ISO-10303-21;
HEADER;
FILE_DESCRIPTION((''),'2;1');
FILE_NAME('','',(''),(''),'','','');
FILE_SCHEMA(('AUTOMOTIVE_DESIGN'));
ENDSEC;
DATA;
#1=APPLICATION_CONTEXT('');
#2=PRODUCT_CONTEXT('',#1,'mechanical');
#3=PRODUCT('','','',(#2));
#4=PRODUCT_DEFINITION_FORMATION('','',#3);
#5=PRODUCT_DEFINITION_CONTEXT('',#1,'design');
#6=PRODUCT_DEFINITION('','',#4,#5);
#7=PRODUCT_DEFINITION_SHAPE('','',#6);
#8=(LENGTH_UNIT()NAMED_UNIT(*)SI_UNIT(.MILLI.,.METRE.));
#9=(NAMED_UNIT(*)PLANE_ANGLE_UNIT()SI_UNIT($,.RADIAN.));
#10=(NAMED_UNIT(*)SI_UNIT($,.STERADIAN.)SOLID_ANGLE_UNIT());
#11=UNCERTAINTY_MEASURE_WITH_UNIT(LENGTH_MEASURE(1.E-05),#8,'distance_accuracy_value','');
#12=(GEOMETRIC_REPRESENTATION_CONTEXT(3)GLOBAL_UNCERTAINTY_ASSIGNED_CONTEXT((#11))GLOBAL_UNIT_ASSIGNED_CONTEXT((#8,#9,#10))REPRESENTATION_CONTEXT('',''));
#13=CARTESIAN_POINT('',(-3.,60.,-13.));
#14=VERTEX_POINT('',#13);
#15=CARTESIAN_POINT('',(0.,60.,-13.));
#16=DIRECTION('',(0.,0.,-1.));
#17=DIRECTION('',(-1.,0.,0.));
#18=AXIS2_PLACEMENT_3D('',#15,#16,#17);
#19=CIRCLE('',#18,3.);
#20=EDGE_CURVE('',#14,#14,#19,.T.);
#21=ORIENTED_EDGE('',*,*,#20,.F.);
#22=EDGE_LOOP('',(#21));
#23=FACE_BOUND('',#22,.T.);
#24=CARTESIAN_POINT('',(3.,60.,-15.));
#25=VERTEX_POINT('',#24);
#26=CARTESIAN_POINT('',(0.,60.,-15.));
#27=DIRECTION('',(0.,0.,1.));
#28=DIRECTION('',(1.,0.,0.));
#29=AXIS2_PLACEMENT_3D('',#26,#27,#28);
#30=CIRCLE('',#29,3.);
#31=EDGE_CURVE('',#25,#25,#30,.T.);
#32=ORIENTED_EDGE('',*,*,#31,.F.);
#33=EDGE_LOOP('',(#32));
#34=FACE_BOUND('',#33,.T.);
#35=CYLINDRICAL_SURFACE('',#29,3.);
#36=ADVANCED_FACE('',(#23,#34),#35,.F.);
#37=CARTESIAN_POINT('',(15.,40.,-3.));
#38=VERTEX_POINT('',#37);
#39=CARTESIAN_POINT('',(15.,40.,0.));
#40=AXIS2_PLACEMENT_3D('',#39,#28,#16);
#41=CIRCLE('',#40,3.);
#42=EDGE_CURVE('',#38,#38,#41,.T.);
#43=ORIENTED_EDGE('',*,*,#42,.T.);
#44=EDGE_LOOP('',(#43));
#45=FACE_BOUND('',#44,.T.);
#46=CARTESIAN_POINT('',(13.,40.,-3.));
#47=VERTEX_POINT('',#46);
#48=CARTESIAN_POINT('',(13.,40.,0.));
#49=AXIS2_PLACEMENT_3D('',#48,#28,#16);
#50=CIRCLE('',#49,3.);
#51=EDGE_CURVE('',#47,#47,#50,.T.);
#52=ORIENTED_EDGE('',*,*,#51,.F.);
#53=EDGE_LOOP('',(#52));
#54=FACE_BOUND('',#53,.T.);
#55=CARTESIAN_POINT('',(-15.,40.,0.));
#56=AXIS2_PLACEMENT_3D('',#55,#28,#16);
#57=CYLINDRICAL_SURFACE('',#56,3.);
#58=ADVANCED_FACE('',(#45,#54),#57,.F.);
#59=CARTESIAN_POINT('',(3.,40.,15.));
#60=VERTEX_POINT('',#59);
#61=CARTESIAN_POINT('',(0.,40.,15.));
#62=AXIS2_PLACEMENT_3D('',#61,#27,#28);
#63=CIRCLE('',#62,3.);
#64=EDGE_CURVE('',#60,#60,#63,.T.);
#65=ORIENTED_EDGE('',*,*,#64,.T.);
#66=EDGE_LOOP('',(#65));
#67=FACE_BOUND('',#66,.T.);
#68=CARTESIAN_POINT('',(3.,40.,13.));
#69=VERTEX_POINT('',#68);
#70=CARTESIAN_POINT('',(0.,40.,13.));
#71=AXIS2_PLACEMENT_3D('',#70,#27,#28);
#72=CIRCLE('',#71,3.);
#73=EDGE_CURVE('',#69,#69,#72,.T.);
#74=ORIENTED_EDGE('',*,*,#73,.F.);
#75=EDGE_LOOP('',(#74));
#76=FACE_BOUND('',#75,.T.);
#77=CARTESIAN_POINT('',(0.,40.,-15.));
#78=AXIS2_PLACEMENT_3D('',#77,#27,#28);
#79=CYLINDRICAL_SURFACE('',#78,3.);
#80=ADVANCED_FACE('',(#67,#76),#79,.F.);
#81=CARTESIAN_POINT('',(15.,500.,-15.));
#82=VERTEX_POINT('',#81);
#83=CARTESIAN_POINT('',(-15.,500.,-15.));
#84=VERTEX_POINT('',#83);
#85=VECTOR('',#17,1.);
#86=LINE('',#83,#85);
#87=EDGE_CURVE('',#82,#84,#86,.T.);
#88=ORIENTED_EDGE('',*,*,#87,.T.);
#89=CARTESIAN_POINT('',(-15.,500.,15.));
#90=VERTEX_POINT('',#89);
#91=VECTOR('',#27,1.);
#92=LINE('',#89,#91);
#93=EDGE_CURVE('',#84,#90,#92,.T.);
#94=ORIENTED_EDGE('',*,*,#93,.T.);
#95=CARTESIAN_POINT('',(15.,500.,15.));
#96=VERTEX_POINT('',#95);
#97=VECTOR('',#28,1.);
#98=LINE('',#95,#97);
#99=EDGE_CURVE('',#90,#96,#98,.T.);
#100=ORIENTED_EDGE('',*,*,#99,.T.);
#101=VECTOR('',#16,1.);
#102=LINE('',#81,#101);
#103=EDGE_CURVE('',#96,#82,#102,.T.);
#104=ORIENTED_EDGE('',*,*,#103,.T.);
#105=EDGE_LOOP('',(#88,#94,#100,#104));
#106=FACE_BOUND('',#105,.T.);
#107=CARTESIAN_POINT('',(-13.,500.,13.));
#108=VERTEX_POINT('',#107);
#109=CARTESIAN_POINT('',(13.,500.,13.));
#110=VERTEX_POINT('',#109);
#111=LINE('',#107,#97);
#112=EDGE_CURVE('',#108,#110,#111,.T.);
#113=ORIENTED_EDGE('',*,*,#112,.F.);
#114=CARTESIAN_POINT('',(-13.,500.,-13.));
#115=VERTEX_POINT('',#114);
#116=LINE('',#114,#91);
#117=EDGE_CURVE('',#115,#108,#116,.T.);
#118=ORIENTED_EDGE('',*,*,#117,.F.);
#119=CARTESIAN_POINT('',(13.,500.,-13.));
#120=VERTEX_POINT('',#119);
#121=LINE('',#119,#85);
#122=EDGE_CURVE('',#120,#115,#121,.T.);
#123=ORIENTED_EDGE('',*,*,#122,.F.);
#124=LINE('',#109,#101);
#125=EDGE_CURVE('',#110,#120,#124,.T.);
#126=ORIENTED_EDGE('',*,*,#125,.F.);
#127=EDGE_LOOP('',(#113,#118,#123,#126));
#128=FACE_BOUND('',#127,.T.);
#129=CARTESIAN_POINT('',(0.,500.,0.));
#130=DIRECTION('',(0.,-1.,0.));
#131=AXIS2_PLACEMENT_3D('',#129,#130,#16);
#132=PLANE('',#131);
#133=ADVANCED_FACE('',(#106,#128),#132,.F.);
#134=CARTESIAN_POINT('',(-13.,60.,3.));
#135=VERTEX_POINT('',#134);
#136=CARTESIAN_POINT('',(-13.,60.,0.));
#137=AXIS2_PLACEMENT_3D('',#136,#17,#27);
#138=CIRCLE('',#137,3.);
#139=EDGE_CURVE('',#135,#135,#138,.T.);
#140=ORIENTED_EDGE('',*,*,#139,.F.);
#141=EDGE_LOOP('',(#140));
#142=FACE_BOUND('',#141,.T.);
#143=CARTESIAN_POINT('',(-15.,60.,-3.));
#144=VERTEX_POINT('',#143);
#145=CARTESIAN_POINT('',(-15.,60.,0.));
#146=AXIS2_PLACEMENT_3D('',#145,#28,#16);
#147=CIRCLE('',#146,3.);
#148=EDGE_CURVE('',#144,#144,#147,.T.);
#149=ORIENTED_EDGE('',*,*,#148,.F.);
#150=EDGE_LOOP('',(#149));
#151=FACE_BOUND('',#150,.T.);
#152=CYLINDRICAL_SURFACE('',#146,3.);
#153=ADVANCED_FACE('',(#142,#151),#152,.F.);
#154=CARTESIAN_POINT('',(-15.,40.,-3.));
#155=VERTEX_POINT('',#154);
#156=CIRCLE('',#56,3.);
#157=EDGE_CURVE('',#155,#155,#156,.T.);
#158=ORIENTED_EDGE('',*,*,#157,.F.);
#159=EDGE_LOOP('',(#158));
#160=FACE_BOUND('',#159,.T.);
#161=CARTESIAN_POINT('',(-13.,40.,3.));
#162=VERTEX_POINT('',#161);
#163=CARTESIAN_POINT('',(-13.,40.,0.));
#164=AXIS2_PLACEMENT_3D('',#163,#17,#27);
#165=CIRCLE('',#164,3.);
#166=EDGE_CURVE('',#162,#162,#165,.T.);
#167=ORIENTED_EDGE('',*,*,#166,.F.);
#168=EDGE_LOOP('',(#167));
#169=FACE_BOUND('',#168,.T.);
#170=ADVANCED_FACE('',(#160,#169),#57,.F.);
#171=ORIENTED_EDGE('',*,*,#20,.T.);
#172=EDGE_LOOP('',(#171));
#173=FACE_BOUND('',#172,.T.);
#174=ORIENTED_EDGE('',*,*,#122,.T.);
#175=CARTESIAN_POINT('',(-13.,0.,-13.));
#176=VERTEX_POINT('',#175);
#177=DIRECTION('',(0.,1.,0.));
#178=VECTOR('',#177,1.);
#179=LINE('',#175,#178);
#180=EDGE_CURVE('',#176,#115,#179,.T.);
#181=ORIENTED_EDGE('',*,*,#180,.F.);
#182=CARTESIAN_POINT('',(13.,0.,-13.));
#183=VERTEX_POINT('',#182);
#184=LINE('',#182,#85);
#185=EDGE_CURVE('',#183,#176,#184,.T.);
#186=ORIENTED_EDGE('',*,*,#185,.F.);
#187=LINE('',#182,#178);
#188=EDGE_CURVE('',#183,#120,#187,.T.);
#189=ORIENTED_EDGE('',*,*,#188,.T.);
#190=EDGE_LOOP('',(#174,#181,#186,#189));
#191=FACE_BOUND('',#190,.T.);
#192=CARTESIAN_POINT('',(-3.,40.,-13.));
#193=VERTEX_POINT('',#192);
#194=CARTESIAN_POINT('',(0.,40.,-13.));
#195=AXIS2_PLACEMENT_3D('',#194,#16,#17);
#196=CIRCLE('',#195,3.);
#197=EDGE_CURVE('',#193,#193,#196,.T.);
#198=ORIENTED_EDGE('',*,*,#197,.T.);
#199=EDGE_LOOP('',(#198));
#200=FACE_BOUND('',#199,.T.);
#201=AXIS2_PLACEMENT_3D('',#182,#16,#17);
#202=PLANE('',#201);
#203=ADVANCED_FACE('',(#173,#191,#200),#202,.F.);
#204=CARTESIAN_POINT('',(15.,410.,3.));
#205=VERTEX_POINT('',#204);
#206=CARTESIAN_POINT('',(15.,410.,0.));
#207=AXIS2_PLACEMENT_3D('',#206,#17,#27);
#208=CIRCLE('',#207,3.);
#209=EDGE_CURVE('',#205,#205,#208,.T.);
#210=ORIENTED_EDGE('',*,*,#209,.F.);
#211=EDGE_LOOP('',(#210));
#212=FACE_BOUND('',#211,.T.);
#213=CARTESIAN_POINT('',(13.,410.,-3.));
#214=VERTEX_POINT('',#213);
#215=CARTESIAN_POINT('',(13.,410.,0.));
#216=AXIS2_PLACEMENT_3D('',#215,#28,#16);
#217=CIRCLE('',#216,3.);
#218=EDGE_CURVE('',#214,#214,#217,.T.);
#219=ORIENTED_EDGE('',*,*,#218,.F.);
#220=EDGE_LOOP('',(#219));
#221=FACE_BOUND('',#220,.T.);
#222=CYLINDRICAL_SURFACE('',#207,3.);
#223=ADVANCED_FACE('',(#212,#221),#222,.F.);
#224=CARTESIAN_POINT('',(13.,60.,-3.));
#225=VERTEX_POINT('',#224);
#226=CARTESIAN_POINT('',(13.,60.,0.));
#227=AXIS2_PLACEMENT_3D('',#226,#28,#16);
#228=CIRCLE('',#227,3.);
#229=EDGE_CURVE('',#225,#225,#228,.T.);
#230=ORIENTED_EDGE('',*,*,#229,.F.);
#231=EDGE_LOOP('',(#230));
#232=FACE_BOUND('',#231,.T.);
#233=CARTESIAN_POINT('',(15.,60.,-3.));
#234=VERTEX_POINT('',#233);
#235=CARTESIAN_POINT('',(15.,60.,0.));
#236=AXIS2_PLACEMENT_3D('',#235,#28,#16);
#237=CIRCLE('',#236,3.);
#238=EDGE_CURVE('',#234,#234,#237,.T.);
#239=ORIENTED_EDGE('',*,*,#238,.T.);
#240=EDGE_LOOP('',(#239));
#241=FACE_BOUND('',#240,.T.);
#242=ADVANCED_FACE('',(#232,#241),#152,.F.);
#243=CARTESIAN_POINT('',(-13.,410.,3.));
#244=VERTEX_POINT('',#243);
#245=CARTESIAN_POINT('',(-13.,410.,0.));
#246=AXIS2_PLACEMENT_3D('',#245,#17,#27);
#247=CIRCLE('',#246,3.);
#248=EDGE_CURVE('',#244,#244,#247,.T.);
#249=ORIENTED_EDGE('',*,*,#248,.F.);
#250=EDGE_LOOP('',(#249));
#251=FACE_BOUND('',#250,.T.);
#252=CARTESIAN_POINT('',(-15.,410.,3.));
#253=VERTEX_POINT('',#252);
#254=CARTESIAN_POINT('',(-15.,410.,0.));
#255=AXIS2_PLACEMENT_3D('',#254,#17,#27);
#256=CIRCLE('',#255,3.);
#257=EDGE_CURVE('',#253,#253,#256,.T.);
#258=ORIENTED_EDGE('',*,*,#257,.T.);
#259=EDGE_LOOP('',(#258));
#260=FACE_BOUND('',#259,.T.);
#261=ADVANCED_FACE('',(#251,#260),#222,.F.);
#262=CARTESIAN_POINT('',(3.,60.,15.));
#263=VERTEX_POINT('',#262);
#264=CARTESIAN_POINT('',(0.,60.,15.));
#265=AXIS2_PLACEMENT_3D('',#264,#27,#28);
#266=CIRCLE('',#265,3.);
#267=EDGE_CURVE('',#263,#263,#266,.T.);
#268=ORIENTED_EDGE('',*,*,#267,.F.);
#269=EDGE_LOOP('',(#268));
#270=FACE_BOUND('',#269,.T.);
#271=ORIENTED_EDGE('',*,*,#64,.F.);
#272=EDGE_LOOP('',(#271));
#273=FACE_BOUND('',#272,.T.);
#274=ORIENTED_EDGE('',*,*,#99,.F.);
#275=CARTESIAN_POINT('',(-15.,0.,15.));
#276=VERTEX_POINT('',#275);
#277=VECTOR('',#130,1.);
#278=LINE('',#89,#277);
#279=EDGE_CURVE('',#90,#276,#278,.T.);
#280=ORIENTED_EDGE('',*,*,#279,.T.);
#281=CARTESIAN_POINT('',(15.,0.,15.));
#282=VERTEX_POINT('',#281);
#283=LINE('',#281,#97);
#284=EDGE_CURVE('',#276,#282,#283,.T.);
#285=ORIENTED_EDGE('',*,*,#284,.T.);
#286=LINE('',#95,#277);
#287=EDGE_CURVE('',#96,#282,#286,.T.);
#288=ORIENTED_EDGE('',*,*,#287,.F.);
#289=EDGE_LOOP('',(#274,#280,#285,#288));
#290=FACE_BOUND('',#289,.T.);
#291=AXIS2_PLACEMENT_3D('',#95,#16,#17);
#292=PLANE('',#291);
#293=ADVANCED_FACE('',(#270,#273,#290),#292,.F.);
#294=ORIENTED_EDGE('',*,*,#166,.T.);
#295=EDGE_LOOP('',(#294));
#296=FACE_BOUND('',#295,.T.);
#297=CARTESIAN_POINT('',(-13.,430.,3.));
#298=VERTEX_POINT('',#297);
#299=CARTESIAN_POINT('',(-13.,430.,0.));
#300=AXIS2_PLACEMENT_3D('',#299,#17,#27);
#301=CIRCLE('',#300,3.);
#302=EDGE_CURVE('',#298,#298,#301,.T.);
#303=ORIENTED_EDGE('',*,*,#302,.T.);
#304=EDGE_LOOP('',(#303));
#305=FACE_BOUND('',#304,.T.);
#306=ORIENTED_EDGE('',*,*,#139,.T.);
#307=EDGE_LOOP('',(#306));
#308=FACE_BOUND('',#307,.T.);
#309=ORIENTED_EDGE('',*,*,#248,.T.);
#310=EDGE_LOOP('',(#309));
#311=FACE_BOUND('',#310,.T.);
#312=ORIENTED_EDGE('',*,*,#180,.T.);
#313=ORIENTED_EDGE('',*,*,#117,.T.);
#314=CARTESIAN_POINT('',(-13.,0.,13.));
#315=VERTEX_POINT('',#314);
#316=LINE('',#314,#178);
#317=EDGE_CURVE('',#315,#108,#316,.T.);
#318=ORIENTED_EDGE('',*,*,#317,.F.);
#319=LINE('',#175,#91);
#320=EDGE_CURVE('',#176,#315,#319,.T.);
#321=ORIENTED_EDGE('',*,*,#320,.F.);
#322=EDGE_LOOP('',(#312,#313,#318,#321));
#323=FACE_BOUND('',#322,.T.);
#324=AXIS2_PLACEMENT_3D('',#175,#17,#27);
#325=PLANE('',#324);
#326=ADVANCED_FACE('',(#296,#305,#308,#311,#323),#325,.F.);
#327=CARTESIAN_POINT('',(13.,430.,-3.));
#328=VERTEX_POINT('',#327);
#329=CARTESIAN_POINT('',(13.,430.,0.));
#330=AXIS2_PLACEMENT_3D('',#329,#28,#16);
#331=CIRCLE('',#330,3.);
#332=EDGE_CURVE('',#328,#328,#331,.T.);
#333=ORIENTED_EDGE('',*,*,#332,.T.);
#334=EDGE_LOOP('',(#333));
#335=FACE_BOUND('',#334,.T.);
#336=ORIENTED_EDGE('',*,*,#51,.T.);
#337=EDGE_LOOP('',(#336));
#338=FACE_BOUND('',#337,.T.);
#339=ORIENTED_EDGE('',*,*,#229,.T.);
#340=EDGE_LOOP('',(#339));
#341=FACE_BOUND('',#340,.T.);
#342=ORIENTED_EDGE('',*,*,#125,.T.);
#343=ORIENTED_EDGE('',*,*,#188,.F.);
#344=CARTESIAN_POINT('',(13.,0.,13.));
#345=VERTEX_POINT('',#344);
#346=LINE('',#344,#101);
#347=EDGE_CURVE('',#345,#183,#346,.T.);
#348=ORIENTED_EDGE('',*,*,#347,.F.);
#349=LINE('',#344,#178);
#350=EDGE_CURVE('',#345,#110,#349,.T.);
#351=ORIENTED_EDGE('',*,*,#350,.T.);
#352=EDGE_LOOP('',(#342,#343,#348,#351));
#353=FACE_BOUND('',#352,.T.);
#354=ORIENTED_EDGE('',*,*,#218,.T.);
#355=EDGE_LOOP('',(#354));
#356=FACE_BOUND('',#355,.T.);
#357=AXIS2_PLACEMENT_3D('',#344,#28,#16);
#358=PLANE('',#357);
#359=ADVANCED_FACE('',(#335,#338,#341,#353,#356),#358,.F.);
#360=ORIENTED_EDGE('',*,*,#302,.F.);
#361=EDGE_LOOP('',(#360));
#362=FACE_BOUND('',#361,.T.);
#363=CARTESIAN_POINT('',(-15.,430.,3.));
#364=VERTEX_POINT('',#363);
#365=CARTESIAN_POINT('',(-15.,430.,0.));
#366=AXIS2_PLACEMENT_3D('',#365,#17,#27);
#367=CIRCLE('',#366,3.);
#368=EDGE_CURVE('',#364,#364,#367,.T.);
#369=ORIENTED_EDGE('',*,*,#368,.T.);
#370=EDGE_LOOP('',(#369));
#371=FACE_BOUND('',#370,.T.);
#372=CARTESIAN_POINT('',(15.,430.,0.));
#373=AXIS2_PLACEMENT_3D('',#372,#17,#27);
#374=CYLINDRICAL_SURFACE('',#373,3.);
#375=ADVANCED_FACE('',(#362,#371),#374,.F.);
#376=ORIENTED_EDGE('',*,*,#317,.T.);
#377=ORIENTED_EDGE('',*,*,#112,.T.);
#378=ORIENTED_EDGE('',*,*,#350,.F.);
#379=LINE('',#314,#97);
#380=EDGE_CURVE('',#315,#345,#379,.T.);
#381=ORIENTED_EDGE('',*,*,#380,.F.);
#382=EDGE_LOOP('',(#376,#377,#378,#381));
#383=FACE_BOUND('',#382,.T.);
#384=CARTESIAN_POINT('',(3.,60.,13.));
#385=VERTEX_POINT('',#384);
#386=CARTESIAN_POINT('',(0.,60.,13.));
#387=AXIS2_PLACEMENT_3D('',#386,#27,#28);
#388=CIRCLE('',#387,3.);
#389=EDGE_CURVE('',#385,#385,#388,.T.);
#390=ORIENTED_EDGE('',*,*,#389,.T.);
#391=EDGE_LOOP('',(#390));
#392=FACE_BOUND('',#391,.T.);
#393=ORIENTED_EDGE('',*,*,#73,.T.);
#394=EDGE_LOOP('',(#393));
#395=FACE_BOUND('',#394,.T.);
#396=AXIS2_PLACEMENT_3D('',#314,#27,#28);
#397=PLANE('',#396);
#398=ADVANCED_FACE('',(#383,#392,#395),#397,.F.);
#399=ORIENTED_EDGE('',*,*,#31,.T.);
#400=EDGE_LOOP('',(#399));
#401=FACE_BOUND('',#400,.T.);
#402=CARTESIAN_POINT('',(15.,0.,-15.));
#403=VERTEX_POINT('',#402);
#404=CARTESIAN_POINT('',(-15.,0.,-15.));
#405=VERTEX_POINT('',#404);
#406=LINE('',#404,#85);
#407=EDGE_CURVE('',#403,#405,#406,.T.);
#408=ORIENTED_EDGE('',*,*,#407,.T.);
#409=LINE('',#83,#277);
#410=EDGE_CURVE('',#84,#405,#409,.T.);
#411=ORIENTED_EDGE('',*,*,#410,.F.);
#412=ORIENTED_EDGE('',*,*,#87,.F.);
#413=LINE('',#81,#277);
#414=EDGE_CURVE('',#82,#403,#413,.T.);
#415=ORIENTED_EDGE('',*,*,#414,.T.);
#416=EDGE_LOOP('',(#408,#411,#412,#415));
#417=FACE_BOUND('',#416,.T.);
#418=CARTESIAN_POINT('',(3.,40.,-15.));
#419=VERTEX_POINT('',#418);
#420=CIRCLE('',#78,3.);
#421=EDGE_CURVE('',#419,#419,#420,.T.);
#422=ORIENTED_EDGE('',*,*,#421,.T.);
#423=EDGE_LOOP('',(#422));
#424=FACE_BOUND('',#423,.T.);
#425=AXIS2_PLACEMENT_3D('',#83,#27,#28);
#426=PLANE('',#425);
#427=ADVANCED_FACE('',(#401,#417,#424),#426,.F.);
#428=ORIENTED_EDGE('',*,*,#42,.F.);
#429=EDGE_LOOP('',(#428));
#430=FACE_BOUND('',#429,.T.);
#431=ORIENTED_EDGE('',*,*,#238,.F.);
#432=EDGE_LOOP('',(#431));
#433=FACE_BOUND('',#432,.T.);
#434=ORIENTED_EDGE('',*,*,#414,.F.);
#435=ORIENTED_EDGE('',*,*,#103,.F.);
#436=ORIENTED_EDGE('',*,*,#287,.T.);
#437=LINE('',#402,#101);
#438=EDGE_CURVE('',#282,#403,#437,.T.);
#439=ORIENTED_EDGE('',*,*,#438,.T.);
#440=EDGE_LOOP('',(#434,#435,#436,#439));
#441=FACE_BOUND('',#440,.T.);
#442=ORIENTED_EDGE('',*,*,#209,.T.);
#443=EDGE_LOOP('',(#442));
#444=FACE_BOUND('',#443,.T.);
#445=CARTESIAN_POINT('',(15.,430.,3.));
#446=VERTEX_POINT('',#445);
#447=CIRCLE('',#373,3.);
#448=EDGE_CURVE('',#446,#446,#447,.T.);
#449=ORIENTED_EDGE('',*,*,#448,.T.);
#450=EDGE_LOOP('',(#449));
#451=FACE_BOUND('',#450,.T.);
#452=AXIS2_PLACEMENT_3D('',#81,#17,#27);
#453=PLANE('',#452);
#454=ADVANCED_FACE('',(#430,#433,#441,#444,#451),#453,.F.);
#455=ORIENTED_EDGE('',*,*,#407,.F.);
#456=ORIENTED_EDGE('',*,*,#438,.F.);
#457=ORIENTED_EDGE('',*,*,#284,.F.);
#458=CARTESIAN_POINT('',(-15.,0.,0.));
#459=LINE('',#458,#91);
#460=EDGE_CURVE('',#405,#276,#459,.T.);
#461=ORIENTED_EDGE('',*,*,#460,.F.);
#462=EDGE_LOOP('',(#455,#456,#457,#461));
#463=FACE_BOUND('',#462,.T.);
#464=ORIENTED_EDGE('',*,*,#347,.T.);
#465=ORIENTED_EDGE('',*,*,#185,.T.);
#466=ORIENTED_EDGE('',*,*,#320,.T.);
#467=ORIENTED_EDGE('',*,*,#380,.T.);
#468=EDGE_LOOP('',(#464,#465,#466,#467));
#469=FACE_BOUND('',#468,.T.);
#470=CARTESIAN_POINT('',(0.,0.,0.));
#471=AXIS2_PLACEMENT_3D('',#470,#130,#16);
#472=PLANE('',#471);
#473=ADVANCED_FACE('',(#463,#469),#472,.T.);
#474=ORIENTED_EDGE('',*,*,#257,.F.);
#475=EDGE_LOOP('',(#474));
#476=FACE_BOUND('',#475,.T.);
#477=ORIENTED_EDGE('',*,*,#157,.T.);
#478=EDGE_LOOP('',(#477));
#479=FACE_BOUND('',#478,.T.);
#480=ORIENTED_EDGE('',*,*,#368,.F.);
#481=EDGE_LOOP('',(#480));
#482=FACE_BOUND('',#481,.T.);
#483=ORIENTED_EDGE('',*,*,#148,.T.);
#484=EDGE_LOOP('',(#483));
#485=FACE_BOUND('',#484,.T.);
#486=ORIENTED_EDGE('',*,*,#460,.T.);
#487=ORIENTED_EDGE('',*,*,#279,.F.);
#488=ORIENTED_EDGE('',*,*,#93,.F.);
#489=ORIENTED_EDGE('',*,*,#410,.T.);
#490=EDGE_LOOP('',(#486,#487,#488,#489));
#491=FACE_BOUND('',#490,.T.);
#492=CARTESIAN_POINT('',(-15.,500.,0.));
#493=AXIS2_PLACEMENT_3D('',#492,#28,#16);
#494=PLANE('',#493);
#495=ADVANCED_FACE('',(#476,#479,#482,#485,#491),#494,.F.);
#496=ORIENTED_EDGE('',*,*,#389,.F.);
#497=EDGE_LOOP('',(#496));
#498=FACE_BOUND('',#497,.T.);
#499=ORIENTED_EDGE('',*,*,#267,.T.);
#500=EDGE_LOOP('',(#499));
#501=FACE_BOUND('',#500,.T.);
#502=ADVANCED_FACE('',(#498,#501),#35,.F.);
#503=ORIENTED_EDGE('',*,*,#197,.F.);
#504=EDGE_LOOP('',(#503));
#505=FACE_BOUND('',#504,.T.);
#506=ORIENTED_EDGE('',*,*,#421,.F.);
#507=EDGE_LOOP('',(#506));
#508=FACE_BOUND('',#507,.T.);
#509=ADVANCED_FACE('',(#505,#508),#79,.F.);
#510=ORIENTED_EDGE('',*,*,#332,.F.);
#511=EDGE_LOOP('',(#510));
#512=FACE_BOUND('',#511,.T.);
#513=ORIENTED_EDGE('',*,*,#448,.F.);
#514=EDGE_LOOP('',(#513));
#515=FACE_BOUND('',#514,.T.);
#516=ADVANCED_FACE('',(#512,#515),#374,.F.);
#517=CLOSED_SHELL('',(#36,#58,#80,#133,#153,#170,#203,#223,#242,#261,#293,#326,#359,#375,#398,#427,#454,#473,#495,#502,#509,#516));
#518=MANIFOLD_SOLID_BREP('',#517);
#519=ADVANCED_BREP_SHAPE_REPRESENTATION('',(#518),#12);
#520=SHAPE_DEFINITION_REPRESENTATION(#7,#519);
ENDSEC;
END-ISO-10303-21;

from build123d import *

# Parameters (mm, degrees)
BOSS_EXTRUDE1_DEPTH = 500
SKETCH3_W           = 26
SKETCH3_H           = 26
CUT_EXTRUDE1_DEPTH  = 500
SKETCH5_R           = 3
CUT_EXTRUDE2_DEPTH  = 30
SKETCH6_R           = 3
CUT_EXTRUDE3_DEPTH  = 30
SKETCH9_R           = 3
CUT_EXTRUDE6_DEPTH  = 30


with BuildPart() as part:
    # Sketch1 → Boss-Extrude1 (new body)
    with BuildSketch(Plane(origin=(0, 0, 0), x_dir=(1, 0, 0), z_dir=(0, 1, 0))):
        Polygon((-15, 0), (-15, 15), (15, 15), (15, -15), (-15, -15), align=None)
    extrude(amount=BOSS_EXTRUDE1_DEPTH)

    # Sketch3 → Cut-Extrude1 (cut)
    with BuildSketch(Plane(origin=(0, 500, 0), x_dir=(1, 0, 0), z_dir=(0, 1, 0))):
        Rectangle(SKETCH3_W, SKETCH3_H)
    extrude(amount=-CUT_EXTRUDE1_DEPTH, mode=Mode.SUBTRACT)

    # Sketch5 → Cut-Extrude2 (cut)
    with BuildSketch(Plane(origin=(15, 0, 0), x_dir=(0, 0, -1), z_dir=(1, 0, 0))):
        with Locations((0, 60)):
            Circle(SKETCH5_R)
        with Locations((0, 40)):
            Circle(SKETCH5_R)
    extrude(amount=-CUT_EXTRUDE2_DEPTH, mode=Mode.SUBTRACT)

    # Sketch6 → Cut-Extrude3 (cut)
    with BuildSketch(Plane.XY.offset(15)):
        with Locations((0, 40)):
            Circle(SKETCH6_R)
        with Locations((0, 60)):
            Circle(SKETCH6_R)
    extrude(amount=-CUT_EXTRUDE3_DEPTH, mode=Mode.SUBTRACT)

    # Sketch9 → Cut-Extrude6 (cut)
    with BuildSketch(Plane.ZY.offset(15)):
        with Locations((0, 430)):
            Circle(SKETCH9_R)
        with Locations((0, 410)):
            Circle(SKETCH9_R)
    extrude(amount=-CUT_EXTRUDE6_DEPTH, mode=Mode.SUBTRACT)


solid = part.part
